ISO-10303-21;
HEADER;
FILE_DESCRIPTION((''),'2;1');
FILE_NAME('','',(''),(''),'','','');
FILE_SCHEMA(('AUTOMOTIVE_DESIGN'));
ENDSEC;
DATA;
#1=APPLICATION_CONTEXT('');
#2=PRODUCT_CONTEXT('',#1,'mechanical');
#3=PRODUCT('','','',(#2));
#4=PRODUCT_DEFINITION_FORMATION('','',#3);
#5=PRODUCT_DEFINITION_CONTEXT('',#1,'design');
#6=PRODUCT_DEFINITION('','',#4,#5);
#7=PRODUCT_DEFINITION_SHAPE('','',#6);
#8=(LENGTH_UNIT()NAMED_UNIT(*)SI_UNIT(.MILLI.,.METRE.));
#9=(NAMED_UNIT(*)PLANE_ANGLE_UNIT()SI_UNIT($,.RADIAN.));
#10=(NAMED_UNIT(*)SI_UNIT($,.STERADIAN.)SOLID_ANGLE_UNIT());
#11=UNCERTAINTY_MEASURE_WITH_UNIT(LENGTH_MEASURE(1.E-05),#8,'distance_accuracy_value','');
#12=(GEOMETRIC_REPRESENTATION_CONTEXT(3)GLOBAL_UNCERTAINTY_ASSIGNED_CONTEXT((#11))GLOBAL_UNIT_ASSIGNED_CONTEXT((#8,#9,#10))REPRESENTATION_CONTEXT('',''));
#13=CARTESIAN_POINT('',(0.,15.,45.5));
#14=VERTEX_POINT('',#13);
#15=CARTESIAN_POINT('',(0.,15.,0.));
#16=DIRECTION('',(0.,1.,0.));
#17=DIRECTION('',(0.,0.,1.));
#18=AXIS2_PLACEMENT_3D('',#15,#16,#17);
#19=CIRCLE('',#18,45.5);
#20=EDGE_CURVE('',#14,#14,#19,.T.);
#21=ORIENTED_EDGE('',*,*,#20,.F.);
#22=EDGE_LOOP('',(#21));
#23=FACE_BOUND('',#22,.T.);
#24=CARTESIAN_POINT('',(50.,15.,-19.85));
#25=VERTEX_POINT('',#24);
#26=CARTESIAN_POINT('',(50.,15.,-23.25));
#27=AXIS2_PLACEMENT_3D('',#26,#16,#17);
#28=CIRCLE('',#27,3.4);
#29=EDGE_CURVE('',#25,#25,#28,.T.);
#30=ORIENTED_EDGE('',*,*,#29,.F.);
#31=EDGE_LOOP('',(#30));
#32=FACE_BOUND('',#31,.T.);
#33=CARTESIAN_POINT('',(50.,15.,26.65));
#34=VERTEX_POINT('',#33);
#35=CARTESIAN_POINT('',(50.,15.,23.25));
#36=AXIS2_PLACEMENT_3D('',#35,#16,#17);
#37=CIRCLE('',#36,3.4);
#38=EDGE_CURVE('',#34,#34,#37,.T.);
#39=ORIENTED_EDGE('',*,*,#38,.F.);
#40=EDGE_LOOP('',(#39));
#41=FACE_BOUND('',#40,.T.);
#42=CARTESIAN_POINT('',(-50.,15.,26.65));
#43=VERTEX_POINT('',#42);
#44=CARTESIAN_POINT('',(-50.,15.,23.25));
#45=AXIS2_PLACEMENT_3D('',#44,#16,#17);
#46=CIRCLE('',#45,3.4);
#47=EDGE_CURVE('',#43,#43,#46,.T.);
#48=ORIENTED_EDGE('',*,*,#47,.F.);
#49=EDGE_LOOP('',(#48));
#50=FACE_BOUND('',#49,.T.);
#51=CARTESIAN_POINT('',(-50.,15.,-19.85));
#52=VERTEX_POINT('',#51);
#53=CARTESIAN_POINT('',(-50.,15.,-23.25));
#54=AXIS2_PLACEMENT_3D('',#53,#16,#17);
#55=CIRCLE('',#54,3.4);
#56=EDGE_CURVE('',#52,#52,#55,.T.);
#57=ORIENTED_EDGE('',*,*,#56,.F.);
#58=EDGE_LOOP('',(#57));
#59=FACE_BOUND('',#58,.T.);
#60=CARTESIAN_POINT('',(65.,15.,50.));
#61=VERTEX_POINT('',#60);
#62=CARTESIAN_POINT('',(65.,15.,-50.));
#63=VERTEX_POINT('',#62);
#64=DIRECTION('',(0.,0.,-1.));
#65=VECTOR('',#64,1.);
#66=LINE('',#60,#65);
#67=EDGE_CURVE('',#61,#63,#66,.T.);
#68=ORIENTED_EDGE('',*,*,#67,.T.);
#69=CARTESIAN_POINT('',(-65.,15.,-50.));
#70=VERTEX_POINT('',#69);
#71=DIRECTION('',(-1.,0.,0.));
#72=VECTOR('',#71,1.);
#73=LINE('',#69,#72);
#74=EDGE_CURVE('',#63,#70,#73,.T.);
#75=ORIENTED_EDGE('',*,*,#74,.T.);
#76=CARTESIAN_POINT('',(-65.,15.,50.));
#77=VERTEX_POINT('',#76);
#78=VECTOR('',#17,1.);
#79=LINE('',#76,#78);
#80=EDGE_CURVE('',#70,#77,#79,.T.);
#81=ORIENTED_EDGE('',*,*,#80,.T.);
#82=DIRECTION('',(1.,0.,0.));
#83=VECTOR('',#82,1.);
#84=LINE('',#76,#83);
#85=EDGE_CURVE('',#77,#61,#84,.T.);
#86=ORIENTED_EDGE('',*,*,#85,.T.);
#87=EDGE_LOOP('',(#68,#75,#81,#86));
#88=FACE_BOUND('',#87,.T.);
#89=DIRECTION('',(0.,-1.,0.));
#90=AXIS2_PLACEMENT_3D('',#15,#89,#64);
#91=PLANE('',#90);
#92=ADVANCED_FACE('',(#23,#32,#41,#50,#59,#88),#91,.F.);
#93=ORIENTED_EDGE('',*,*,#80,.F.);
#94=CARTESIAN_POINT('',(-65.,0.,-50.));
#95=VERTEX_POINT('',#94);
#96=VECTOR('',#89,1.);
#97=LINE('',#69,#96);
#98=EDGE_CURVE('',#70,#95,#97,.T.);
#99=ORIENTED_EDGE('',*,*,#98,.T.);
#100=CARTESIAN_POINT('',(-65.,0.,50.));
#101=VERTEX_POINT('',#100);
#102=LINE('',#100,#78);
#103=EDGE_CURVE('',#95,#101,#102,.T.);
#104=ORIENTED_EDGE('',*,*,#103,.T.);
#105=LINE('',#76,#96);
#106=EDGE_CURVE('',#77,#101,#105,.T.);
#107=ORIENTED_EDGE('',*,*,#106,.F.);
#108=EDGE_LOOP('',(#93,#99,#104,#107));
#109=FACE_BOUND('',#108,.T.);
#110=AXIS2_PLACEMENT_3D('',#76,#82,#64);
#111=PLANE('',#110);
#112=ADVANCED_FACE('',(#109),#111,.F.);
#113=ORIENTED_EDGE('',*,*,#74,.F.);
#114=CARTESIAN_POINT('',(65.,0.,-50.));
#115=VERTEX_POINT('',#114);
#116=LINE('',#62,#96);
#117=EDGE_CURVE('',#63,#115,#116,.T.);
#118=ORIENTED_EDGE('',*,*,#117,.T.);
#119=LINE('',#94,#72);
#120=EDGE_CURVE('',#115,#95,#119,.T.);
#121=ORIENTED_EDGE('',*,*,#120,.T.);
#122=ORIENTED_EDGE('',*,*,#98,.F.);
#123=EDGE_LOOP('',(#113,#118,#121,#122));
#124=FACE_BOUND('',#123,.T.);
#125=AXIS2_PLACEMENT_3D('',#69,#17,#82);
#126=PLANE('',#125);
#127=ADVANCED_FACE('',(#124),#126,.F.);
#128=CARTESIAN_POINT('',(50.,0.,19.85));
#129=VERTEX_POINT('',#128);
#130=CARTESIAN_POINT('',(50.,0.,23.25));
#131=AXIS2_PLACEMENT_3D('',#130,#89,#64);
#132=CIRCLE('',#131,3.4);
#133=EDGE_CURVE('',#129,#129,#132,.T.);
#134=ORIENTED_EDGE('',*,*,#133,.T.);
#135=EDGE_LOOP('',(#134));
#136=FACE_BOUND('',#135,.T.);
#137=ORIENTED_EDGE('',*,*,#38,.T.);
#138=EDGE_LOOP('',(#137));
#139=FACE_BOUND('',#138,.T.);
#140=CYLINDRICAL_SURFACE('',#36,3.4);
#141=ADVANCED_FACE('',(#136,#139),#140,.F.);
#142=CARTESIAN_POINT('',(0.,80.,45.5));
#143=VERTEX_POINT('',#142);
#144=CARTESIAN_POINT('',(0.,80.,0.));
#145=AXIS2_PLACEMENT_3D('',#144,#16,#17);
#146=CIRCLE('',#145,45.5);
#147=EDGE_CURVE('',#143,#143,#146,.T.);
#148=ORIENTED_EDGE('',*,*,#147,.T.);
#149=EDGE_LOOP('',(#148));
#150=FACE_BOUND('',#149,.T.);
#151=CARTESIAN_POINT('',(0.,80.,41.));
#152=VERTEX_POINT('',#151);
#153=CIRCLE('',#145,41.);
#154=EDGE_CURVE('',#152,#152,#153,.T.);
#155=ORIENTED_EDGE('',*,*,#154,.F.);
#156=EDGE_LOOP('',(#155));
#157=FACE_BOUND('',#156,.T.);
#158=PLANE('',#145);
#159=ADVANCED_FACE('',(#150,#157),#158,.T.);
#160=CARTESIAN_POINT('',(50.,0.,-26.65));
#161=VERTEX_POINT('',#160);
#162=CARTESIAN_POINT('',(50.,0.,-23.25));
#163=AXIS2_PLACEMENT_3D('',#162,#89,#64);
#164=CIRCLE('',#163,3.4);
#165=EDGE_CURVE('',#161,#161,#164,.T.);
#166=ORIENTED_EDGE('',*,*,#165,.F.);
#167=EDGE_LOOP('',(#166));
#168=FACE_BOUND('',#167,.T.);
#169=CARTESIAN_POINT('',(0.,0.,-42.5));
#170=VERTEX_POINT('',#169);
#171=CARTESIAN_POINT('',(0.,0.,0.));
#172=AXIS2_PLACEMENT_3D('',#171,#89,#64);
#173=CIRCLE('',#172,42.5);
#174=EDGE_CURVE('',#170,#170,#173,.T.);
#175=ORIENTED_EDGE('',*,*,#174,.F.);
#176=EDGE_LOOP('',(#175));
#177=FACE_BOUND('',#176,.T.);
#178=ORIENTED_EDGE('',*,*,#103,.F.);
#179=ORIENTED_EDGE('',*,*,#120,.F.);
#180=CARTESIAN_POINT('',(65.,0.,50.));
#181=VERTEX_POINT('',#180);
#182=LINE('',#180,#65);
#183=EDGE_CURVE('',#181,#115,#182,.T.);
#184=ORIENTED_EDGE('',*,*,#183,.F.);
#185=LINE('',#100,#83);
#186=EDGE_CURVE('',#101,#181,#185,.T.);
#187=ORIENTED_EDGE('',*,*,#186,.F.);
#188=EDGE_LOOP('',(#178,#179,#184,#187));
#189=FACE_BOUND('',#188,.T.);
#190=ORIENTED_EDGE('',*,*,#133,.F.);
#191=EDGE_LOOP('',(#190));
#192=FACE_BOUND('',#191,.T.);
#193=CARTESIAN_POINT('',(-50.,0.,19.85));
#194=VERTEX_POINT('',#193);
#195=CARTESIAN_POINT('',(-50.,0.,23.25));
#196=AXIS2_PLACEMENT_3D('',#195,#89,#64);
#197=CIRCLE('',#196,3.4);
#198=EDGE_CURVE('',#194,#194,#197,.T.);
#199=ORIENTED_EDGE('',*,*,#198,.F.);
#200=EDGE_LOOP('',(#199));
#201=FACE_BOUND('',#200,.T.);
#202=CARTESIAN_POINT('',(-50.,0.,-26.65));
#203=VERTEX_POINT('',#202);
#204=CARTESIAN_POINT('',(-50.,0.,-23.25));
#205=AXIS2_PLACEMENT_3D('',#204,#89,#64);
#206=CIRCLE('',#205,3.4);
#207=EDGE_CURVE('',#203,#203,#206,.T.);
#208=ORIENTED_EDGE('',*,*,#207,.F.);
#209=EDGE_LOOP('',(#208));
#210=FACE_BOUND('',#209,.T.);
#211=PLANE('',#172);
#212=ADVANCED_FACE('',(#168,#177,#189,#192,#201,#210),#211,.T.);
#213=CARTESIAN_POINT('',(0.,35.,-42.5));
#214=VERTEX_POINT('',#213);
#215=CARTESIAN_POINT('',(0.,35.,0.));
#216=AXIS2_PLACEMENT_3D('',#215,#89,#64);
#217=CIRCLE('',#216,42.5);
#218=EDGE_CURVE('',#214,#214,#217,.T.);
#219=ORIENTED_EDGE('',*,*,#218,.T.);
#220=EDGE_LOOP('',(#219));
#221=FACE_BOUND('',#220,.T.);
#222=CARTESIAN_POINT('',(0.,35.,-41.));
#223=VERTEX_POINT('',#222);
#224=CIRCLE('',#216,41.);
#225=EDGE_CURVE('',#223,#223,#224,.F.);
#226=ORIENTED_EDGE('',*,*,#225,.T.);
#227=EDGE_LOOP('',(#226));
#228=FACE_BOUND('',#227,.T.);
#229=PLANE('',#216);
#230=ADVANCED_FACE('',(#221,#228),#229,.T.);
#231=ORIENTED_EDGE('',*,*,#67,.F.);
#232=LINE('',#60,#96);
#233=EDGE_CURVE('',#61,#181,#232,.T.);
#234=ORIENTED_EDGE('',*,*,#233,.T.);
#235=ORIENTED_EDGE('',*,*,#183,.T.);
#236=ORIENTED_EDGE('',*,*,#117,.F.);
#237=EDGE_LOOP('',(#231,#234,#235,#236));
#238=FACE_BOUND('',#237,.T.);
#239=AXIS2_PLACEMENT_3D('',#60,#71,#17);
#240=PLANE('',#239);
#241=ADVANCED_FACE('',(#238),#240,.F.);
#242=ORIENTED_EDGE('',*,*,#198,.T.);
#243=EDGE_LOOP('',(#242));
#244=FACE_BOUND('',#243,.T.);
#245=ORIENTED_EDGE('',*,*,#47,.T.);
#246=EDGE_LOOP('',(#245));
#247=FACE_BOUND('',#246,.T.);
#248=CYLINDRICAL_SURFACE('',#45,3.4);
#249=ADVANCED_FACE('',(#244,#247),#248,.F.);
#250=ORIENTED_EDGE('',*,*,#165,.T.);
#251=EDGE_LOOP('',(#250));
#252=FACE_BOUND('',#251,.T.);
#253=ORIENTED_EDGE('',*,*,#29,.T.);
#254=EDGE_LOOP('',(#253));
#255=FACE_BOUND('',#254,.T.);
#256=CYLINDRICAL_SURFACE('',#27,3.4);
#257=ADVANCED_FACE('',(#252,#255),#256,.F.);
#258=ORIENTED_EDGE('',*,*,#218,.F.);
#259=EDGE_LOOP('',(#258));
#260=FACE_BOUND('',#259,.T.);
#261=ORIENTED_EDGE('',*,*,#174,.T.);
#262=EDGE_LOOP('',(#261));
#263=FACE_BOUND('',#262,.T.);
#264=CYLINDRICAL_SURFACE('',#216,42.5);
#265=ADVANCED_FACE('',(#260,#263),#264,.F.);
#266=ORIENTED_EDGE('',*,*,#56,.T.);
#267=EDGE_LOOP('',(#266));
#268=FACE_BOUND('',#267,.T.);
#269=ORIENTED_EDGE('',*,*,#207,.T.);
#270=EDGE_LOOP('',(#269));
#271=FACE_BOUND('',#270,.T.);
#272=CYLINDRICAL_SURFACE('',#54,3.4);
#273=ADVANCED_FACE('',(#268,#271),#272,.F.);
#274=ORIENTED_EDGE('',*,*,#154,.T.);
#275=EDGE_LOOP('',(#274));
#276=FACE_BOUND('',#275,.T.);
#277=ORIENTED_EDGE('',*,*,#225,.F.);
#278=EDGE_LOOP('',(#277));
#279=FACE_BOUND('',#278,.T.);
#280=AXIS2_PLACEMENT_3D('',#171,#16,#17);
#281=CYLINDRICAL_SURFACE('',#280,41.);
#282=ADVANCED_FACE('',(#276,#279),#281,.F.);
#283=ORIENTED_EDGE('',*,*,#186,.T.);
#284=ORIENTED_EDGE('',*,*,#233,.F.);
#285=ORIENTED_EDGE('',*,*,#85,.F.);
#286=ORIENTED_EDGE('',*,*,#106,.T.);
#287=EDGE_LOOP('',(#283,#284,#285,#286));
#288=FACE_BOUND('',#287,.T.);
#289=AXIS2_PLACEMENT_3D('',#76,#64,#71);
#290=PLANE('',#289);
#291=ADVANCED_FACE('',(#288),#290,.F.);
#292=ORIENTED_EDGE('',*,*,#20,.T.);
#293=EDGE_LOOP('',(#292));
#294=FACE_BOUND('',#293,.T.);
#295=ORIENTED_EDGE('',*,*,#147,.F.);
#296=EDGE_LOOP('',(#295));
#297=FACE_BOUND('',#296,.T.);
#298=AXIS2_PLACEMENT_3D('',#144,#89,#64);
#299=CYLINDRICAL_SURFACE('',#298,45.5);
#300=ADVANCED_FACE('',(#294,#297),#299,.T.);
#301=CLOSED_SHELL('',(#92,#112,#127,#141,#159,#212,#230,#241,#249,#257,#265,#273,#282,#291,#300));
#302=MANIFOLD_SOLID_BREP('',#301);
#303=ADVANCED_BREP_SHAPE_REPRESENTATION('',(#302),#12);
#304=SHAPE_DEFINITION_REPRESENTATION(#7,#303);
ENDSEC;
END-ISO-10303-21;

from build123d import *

# Parameters (mm, degrees)
SKETCH1_W             = 130
SKETCH1_H             = 100
BOSS_EXTRUDE1_DEPTH   = 15
SKETCH2_R             = 45.5
BOSS_EXTRUDE2_DEPTH   = 65
SKETCH3_R             = 41
CUT_EXTRUDE1_DEPTH    = 81
SKETCH4_R             = 42.5
CUT_EXTRUDE2_DEPTH    = 35
M8_TAPPED_HOLE1_D     = 6.8
M8_TAPPED_HOLE1_DEPTH = 17.707073895
M8_TAPPED_HOLE1_TIP   = 2.042926105


with BuildPart() as part:
    # Sketch1 → Boss-Extrude1 (new body)
    with BuildSketch(Plane(origin=(0, 0, 0), x_dir=(1, 0, 0), z_dir=(0, 1, 0))):
        Rectangle(SKETCH1_W, SKETCH1_H)
    extrude(amount=BOSS_EXTRUDE1_DEPTH)

    # Sketch2 → Boss-Extrude2 (add)
    with BuildSketch(Plane(origin=(0, 15, 0), x_dir=(1, 0, 0), z_dir=(0, 1, 0))):
        Circle(SKETCH2_R)
    extrude(amount=BOSS_EXTRUDE2_DEPTH)

    # Sketch3 → Cut-Extrude1 (cut, through all)
    with BuildSketch(Plane(origin=(0, 80, 0), x_dir=(1, 0, 0), z_dir=(0, 1, 0))):
        Circle(SKETCH3_R)
    extrude(amount=-CUT_EXTRUDE1_DEPTH, mode=Mode.SUBTRACT)

    # Sketch4 → Cut-Extrude2 (cut)
    with BuildSketch(Plane.XZ):
        Circle(SKETCH4_R)
    extrude(amount=-CUT_EXTRUDE2_DEPTH, mode=Mode.SUBTRACT)

    # M8 Tapped Hole1
    with Locations(Plane(origin=(0, 15, 0), x_dir=(1, 0, 0), z_dir=(0, 1, 0))):
        with Locations((-50, 23.25), (-50, -23.25), (50, -23.25), (50, 23.25)):
            Hole(M8_TAPPED_HOLE1_D / 2, depth=M8_TAPPED_HOLE1_DEPTH)
            with Locations((0, 0, -(M8_TAPPED_HOLE1_DEPTH + M8_TAPPED_HOLE1_TIP / 2))):  # 118° drill point
                Cone(0, M8_TAPPED_HOLE1_D / 2, M8_TAPPED_HOLE1_TIP, mode=Mode.SUBTRACT)


solid = part.part
